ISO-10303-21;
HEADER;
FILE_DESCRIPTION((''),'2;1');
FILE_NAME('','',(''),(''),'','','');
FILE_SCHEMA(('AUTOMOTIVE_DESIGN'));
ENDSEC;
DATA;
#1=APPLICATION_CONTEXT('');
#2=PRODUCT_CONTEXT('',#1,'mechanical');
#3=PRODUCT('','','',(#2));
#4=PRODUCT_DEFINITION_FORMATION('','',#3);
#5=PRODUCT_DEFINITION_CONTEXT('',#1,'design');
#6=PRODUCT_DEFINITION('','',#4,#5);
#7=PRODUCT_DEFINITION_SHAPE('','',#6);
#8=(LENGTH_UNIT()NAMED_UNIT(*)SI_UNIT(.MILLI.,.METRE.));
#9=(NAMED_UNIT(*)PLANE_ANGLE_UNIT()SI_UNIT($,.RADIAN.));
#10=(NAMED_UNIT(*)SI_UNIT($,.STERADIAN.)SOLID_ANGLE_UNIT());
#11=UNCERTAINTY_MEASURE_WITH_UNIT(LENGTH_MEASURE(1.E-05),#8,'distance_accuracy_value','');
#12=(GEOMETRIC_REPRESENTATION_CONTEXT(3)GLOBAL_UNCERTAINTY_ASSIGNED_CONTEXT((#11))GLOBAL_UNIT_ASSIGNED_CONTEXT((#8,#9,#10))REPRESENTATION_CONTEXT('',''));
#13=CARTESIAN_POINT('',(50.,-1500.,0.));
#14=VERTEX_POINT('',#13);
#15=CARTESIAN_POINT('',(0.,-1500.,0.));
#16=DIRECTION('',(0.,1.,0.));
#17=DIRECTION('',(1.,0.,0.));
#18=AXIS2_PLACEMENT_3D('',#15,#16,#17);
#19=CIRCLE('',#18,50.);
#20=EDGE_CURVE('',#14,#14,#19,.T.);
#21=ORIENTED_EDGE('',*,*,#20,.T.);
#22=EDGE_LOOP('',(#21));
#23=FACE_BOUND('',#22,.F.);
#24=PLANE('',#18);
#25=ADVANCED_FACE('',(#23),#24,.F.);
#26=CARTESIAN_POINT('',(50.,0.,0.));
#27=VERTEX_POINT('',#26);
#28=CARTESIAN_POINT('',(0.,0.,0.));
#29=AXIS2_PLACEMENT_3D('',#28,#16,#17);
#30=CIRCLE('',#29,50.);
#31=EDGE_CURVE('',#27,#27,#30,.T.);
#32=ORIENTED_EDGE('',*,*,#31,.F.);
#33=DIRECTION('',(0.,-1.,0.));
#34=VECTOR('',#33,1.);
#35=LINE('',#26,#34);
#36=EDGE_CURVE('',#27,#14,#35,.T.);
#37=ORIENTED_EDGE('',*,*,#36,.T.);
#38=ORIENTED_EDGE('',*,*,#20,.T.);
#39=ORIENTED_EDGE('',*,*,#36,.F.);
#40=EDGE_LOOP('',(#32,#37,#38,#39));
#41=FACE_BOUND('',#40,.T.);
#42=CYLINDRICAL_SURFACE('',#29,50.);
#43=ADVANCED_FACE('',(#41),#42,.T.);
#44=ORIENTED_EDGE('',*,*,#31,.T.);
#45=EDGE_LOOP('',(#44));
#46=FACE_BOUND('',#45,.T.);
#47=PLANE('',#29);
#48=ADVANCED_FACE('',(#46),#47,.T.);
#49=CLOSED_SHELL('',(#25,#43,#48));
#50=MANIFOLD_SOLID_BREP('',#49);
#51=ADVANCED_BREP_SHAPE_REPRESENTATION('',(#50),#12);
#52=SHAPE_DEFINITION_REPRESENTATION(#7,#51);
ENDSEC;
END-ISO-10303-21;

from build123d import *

# Parameters (mm, degrees)
SKETCH1_R           = 50
BOSS_EXTRUDE1_DEPTH = 1500


with BuildPart() as part:
    # Sketch1 → Boss-Extrude1 (new body)
    with BuildSketch(Plane(origin=(0, 0, 0), x_dir=(1, 0, 0), z_dir=(0, 1, 0))):
        Circle(SKETCH1_R)
    extrude(amount=-BOSS_EXTRUDE1_DEPTH)


solid = part.part
